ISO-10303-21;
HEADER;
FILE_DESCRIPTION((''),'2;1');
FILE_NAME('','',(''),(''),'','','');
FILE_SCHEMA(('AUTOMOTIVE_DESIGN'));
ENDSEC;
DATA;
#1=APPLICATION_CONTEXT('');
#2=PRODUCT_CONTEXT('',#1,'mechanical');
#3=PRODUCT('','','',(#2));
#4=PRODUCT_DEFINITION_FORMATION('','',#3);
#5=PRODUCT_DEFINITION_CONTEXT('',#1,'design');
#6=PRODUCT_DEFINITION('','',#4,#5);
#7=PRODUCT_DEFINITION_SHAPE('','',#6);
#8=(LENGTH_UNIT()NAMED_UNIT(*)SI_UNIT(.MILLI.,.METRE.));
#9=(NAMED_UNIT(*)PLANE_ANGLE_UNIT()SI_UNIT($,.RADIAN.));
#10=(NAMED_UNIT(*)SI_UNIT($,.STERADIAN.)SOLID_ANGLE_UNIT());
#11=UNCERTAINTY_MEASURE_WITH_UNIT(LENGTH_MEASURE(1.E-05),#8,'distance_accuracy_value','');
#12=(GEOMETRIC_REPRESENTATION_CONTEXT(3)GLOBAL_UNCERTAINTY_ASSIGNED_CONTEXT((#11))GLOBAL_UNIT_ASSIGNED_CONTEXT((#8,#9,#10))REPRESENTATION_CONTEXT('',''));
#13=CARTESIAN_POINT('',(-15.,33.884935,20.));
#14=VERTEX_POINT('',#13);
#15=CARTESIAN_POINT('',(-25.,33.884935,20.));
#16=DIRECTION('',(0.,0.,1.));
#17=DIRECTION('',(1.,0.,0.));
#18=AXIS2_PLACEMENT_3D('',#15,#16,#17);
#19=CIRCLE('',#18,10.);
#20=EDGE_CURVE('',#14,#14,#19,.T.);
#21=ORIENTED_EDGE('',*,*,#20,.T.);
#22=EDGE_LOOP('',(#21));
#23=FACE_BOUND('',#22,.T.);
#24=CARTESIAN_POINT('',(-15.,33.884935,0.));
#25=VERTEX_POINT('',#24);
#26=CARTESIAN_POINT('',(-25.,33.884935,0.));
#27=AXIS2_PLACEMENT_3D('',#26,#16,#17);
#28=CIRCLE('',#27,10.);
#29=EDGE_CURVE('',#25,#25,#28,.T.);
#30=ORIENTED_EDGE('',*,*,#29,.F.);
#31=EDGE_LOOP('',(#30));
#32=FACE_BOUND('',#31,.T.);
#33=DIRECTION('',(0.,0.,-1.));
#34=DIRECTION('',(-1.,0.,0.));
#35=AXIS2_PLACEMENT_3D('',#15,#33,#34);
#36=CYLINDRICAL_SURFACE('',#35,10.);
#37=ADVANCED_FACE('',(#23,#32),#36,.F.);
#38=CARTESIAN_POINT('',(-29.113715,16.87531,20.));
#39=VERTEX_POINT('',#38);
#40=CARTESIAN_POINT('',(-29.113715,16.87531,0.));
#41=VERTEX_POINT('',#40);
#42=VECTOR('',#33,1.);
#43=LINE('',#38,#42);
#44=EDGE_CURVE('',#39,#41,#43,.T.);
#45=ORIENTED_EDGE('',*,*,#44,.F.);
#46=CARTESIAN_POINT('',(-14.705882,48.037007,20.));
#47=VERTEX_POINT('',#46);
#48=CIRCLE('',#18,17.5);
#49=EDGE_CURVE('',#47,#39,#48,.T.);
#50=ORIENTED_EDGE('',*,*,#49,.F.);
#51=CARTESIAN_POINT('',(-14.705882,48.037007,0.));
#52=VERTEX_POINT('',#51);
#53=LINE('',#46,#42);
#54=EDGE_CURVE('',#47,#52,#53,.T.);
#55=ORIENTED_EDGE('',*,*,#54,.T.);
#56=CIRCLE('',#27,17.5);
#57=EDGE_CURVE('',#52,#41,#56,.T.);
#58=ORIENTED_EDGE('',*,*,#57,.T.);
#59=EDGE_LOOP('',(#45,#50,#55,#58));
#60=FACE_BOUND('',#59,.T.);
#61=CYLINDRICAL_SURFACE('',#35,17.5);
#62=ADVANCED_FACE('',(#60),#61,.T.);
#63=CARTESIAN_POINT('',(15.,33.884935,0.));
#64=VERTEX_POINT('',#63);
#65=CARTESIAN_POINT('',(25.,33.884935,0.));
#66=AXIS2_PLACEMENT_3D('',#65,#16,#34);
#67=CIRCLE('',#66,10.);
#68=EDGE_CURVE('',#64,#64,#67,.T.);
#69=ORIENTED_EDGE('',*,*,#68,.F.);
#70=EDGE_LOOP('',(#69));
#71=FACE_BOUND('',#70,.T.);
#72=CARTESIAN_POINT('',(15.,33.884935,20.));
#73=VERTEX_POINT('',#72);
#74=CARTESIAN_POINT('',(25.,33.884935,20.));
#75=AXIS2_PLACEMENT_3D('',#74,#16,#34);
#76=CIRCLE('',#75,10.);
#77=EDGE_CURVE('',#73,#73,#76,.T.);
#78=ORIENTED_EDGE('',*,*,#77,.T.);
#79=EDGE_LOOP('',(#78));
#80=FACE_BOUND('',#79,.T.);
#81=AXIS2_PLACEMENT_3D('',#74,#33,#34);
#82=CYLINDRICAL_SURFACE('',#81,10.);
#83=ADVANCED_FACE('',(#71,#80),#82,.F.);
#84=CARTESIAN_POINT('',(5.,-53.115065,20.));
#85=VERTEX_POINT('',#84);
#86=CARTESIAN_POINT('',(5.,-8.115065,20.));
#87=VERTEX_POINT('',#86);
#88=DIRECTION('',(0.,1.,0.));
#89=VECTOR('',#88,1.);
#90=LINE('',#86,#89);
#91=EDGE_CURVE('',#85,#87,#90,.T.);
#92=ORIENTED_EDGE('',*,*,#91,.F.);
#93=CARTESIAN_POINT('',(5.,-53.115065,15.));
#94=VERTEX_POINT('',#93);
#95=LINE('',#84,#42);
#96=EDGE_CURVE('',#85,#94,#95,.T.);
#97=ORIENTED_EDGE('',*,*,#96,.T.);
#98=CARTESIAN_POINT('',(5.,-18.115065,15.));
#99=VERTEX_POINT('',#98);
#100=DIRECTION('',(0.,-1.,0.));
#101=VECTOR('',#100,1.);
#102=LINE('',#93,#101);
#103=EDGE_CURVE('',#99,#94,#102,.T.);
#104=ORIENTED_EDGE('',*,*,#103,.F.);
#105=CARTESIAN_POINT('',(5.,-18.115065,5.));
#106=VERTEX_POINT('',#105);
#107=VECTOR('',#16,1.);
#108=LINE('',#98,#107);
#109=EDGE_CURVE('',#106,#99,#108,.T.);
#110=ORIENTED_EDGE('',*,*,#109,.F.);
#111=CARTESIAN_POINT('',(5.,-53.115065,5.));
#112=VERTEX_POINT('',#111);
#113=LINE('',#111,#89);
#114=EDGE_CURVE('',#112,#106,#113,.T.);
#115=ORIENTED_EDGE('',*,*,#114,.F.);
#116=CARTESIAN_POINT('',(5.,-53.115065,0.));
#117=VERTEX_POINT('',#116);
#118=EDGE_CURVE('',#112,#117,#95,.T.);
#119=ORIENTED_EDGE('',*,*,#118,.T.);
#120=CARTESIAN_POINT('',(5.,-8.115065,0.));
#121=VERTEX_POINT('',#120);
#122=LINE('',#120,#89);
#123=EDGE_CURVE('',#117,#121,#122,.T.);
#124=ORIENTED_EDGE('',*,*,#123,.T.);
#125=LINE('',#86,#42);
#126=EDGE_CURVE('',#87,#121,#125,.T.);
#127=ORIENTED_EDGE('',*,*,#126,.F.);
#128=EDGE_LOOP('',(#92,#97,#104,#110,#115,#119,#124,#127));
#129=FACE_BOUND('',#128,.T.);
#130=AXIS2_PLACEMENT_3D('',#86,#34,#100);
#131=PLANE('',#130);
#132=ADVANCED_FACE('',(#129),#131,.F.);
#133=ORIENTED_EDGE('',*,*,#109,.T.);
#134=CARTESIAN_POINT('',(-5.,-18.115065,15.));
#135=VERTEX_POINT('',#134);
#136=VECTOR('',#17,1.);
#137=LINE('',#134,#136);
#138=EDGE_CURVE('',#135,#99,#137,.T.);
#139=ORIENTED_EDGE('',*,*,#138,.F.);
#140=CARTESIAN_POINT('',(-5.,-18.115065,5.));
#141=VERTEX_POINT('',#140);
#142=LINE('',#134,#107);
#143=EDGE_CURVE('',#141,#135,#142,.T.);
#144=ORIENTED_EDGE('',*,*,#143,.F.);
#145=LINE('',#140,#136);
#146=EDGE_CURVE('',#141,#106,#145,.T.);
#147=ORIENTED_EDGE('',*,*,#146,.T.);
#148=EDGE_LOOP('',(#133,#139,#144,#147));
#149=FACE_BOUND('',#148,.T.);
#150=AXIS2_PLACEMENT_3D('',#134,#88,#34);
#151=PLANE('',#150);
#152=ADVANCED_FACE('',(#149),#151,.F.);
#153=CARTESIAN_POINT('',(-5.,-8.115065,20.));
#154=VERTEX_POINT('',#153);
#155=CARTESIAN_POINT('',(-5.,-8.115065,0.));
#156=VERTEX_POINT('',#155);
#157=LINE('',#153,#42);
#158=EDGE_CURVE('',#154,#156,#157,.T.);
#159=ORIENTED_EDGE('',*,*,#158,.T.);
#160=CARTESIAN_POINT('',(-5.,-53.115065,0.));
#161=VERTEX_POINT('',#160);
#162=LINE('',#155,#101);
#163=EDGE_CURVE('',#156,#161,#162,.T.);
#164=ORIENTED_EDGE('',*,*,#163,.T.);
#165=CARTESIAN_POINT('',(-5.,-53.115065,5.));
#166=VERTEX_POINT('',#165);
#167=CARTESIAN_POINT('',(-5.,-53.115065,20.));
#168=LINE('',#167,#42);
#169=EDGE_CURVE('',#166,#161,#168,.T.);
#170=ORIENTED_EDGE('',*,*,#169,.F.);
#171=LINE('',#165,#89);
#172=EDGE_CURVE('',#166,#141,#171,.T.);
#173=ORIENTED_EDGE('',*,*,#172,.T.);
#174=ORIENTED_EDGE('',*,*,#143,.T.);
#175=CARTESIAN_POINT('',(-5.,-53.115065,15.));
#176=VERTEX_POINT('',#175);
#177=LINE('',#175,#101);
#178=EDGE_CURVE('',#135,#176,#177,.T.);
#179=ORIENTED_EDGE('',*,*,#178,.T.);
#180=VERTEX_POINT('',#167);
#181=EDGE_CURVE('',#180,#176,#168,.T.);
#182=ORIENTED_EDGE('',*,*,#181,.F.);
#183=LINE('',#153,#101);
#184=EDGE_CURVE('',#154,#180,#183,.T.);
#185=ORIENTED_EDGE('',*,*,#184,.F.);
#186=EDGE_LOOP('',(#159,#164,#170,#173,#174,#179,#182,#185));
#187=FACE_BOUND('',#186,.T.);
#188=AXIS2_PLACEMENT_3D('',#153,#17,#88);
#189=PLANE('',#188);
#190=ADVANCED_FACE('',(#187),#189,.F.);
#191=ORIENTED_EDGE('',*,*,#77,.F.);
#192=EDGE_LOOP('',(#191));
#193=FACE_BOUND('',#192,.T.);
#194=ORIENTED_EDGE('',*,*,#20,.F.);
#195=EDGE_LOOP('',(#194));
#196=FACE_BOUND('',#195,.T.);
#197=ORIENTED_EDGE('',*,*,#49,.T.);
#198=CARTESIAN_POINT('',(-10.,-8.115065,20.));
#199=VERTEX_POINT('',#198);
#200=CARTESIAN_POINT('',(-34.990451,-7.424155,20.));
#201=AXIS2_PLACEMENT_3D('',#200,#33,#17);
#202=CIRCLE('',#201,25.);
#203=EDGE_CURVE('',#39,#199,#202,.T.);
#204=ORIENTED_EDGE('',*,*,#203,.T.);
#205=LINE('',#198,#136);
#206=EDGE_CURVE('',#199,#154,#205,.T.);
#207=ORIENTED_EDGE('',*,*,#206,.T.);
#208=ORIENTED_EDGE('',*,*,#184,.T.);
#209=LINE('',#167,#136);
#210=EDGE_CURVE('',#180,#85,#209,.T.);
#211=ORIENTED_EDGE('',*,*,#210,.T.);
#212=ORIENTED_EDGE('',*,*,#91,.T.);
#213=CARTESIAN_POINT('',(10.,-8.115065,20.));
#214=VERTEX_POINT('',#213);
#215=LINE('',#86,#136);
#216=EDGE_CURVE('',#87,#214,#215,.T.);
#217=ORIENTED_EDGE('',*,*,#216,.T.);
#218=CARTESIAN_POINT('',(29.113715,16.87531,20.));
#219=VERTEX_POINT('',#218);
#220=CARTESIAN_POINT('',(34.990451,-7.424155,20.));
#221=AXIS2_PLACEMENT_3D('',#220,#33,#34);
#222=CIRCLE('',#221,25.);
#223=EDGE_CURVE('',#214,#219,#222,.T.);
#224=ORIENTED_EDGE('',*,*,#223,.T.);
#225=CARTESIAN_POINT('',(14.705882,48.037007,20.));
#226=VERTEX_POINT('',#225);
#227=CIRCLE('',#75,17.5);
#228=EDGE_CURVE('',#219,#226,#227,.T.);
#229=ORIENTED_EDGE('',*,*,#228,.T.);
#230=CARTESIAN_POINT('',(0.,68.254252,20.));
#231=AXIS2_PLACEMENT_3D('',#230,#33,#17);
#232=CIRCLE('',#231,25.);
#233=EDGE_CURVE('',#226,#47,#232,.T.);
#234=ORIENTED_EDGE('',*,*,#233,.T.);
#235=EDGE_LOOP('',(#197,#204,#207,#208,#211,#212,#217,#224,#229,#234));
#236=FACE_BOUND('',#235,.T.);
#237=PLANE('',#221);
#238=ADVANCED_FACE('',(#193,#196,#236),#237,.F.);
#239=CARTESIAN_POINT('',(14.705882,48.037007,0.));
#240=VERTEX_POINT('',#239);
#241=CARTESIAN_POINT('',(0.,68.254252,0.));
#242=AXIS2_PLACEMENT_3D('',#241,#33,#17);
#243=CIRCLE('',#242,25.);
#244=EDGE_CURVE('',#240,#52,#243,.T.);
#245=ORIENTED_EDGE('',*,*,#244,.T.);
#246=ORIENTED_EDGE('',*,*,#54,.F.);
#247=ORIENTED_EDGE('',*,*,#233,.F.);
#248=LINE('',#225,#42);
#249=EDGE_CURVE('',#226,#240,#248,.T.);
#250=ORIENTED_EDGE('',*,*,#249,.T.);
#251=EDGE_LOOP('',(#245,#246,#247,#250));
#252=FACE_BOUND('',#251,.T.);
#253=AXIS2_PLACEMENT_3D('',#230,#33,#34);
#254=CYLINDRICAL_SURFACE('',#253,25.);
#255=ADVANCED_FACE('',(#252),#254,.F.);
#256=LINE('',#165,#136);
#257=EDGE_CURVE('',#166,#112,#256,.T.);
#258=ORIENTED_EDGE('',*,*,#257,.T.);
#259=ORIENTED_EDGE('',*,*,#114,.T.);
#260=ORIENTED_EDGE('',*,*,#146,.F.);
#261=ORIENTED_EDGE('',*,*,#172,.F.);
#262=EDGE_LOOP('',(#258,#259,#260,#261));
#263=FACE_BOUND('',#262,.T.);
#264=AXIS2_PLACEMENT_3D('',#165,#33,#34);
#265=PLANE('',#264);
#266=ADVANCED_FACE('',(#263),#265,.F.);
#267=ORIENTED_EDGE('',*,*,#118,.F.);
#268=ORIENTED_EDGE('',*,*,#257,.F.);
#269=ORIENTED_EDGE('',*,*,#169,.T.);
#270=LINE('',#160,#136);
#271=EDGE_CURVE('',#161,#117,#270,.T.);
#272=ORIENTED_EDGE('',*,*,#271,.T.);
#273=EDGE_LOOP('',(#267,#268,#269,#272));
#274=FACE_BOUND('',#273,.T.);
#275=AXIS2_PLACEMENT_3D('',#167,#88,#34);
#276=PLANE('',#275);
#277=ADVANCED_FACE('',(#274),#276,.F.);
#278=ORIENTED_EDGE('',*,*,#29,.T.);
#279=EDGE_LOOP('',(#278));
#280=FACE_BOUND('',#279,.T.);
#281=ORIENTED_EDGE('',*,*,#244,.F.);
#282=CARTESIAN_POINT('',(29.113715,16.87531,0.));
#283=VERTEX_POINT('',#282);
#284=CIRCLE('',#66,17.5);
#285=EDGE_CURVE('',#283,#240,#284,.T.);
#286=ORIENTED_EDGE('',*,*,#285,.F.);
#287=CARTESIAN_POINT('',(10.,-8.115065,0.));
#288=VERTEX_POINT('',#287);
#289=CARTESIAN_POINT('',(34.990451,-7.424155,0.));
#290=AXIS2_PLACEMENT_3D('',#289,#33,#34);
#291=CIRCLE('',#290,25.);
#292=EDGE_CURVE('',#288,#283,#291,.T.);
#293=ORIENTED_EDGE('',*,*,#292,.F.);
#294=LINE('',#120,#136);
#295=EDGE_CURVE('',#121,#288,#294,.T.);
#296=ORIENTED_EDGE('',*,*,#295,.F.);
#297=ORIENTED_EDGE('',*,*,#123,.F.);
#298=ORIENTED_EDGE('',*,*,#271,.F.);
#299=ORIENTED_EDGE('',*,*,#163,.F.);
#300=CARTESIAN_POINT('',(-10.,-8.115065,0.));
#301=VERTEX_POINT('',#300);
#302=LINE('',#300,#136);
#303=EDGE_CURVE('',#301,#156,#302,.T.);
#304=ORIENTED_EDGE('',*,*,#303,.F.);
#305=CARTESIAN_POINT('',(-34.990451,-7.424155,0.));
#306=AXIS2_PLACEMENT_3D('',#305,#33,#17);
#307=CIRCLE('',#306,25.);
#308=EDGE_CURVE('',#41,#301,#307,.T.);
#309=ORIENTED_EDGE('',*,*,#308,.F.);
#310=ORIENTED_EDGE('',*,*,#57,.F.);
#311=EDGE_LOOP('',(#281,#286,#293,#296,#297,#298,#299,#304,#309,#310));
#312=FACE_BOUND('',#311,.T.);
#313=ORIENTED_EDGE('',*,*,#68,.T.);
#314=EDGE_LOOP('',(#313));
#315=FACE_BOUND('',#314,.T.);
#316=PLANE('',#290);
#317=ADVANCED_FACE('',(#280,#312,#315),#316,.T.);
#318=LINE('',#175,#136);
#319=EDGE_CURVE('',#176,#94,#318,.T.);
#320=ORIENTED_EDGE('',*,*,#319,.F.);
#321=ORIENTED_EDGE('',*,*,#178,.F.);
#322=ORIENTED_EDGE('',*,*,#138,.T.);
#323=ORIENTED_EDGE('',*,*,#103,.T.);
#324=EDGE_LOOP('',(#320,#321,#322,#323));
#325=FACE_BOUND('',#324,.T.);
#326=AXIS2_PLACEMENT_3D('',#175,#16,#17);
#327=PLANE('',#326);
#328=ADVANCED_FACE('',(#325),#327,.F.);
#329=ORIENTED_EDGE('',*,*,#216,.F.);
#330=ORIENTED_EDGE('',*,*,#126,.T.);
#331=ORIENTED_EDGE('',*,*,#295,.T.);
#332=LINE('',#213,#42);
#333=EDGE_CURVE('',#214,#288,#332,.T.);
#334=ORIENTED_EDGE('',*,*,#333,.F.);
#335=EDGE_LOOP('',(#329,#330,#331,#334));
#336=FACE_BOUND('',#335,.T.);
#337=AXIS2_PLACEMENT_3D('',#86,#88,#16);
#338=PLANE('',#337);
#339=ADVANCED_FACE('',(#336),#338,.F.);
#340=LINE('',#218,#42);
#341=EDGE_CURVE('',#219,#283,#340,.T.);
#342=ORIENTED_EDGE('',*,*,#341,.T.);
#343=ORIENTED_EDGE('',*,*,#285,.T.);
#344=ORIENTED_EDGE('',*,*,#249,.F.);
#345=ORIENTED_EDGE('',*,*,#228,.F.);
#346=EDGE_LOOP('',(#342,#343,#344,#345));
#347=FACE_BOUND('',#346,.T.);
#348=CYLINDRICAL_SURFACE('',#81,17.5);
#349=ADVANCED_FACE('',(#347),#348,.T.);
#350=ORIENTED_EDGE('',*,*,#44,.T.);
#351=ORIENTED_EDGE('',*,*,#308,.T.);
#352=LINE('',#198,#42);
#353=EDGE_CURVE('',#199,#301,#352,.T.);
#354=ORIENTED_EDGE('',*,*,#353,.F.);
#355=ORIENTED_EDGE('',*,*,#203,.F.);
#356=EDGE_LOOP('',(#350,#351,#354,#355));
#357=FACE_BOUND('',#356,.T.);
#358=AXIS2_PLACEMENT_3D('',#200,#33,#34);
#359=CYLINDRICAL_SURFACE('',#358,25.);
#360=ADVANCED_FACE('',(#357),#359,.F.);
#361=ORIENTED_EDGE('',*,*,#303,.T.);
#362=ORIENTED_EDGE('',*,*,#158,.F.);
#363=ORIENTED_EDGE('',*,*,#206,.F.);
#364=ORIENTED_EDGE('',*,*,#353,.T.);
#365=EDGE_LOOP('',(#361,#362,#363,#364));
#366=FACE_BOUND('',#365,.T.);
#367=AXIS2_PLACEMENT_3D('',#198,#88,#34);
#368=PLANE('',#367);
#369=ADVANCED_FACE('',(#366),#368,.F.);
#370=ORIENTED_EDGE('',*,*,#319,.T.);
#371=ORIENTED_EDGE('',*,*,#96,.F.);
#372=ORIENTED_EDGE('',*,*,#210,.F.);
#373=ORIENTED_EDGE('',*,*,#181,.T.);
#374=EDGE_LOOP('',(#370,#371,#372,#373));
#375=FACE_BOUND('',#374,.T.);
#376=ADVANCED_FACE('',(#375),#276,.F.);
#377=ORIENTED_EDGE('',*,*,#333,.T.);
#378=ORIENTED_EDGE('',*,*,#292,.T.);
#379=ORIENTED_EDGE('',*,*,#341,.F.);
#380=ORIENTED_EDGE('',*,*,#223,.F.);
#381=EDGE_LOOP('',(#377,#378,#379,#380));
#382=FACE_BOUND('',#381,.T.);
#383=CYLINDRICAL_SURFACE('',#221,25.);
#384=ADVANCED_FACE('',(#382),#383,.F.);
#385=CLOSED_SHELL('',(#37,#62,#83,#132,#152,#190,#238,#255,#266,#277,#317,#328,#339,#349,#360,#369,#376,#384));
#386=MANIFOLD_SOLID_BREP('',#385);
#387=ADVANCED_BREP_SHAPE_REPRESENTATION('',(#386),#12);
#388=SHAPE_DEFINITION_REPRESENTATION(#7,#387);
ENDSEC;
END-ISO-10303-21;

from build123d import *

# Parameters (mm, degrees)
IZIM1_R                     = 10
Y_KSEKLIK_EKSTR_ZYON1_DEPTH = 20
IZIM3_W                     = 10
IZIM3_H                     = 35
KES_EKSTR_ZYON1_DEPTH       = 10


with BuildPart() as part:
    # Çizim1 → Yükseklik-Ekstrüzyon1 (new body)
    with BuildSketch(Plane.XY):
        with BuildLine():
            Line((-10, -8.115065243), (-5, -8.115065243))
            Line((-5, -8.115065243), (-5, -53.115065243))
            Line((-5, -53.115065243), (5, -53.115065243))
            Line((5, -53.115065243), (5, -8.115065243))
            Line((5, -8.115065243), (10, -8.115065243))
            ThreePointArc((10, -8.115065243), (15.132819854, 7.763816786), (29.113715132, 16.875309605))
            ThreePointArc((29.113715132, 16.875309605), (40.884337762, 41.229171535), (14.705882353, 48.037006756))
            ThreePointArc((14.705882353, 48.037006756), (0, 43.254252469), (-14.705882353, 48.037006756))
            ThreePointArc((-14.705882353, 48.037006756), (-40.884337762, 41.229171535), (-29.113715132, 16.875309605))
            ThreePointArc((-29.113715132, 16.875309605), (-15.132819854, 7.763816786), (-10, -8.115065243))
        make_face()
        with Locations((-25, 33.884934757)):
            Circle(IZIM1_R, mode=Mode.SUBTRACT)
        with Locations(Location((25, 33.884934757, 0), (0, 0, 180))):
            Circle(IZIM1_R, mode=Mode.SUBTRACT)
    extrude(amount=Y_KSEKLIK_EKSTR_ZYON1_DEPTH)

    # Çizim3 → Kes-Ekstrüzyon1 (cut)
    with BuildSketch(Plane(origin=(5, 0, 0), x_dir=(0, 0, -1), z_dir=(1, 0, 0))):
        with Locations((-10, -35.615065243)):
            Rectangle(IZIM3_W, IZIM3_H)
    extrude(amount=-KES_EKSTR_ZYON1_DEPTH, mode=Mode.SUBTRACT)


solid = part.part
